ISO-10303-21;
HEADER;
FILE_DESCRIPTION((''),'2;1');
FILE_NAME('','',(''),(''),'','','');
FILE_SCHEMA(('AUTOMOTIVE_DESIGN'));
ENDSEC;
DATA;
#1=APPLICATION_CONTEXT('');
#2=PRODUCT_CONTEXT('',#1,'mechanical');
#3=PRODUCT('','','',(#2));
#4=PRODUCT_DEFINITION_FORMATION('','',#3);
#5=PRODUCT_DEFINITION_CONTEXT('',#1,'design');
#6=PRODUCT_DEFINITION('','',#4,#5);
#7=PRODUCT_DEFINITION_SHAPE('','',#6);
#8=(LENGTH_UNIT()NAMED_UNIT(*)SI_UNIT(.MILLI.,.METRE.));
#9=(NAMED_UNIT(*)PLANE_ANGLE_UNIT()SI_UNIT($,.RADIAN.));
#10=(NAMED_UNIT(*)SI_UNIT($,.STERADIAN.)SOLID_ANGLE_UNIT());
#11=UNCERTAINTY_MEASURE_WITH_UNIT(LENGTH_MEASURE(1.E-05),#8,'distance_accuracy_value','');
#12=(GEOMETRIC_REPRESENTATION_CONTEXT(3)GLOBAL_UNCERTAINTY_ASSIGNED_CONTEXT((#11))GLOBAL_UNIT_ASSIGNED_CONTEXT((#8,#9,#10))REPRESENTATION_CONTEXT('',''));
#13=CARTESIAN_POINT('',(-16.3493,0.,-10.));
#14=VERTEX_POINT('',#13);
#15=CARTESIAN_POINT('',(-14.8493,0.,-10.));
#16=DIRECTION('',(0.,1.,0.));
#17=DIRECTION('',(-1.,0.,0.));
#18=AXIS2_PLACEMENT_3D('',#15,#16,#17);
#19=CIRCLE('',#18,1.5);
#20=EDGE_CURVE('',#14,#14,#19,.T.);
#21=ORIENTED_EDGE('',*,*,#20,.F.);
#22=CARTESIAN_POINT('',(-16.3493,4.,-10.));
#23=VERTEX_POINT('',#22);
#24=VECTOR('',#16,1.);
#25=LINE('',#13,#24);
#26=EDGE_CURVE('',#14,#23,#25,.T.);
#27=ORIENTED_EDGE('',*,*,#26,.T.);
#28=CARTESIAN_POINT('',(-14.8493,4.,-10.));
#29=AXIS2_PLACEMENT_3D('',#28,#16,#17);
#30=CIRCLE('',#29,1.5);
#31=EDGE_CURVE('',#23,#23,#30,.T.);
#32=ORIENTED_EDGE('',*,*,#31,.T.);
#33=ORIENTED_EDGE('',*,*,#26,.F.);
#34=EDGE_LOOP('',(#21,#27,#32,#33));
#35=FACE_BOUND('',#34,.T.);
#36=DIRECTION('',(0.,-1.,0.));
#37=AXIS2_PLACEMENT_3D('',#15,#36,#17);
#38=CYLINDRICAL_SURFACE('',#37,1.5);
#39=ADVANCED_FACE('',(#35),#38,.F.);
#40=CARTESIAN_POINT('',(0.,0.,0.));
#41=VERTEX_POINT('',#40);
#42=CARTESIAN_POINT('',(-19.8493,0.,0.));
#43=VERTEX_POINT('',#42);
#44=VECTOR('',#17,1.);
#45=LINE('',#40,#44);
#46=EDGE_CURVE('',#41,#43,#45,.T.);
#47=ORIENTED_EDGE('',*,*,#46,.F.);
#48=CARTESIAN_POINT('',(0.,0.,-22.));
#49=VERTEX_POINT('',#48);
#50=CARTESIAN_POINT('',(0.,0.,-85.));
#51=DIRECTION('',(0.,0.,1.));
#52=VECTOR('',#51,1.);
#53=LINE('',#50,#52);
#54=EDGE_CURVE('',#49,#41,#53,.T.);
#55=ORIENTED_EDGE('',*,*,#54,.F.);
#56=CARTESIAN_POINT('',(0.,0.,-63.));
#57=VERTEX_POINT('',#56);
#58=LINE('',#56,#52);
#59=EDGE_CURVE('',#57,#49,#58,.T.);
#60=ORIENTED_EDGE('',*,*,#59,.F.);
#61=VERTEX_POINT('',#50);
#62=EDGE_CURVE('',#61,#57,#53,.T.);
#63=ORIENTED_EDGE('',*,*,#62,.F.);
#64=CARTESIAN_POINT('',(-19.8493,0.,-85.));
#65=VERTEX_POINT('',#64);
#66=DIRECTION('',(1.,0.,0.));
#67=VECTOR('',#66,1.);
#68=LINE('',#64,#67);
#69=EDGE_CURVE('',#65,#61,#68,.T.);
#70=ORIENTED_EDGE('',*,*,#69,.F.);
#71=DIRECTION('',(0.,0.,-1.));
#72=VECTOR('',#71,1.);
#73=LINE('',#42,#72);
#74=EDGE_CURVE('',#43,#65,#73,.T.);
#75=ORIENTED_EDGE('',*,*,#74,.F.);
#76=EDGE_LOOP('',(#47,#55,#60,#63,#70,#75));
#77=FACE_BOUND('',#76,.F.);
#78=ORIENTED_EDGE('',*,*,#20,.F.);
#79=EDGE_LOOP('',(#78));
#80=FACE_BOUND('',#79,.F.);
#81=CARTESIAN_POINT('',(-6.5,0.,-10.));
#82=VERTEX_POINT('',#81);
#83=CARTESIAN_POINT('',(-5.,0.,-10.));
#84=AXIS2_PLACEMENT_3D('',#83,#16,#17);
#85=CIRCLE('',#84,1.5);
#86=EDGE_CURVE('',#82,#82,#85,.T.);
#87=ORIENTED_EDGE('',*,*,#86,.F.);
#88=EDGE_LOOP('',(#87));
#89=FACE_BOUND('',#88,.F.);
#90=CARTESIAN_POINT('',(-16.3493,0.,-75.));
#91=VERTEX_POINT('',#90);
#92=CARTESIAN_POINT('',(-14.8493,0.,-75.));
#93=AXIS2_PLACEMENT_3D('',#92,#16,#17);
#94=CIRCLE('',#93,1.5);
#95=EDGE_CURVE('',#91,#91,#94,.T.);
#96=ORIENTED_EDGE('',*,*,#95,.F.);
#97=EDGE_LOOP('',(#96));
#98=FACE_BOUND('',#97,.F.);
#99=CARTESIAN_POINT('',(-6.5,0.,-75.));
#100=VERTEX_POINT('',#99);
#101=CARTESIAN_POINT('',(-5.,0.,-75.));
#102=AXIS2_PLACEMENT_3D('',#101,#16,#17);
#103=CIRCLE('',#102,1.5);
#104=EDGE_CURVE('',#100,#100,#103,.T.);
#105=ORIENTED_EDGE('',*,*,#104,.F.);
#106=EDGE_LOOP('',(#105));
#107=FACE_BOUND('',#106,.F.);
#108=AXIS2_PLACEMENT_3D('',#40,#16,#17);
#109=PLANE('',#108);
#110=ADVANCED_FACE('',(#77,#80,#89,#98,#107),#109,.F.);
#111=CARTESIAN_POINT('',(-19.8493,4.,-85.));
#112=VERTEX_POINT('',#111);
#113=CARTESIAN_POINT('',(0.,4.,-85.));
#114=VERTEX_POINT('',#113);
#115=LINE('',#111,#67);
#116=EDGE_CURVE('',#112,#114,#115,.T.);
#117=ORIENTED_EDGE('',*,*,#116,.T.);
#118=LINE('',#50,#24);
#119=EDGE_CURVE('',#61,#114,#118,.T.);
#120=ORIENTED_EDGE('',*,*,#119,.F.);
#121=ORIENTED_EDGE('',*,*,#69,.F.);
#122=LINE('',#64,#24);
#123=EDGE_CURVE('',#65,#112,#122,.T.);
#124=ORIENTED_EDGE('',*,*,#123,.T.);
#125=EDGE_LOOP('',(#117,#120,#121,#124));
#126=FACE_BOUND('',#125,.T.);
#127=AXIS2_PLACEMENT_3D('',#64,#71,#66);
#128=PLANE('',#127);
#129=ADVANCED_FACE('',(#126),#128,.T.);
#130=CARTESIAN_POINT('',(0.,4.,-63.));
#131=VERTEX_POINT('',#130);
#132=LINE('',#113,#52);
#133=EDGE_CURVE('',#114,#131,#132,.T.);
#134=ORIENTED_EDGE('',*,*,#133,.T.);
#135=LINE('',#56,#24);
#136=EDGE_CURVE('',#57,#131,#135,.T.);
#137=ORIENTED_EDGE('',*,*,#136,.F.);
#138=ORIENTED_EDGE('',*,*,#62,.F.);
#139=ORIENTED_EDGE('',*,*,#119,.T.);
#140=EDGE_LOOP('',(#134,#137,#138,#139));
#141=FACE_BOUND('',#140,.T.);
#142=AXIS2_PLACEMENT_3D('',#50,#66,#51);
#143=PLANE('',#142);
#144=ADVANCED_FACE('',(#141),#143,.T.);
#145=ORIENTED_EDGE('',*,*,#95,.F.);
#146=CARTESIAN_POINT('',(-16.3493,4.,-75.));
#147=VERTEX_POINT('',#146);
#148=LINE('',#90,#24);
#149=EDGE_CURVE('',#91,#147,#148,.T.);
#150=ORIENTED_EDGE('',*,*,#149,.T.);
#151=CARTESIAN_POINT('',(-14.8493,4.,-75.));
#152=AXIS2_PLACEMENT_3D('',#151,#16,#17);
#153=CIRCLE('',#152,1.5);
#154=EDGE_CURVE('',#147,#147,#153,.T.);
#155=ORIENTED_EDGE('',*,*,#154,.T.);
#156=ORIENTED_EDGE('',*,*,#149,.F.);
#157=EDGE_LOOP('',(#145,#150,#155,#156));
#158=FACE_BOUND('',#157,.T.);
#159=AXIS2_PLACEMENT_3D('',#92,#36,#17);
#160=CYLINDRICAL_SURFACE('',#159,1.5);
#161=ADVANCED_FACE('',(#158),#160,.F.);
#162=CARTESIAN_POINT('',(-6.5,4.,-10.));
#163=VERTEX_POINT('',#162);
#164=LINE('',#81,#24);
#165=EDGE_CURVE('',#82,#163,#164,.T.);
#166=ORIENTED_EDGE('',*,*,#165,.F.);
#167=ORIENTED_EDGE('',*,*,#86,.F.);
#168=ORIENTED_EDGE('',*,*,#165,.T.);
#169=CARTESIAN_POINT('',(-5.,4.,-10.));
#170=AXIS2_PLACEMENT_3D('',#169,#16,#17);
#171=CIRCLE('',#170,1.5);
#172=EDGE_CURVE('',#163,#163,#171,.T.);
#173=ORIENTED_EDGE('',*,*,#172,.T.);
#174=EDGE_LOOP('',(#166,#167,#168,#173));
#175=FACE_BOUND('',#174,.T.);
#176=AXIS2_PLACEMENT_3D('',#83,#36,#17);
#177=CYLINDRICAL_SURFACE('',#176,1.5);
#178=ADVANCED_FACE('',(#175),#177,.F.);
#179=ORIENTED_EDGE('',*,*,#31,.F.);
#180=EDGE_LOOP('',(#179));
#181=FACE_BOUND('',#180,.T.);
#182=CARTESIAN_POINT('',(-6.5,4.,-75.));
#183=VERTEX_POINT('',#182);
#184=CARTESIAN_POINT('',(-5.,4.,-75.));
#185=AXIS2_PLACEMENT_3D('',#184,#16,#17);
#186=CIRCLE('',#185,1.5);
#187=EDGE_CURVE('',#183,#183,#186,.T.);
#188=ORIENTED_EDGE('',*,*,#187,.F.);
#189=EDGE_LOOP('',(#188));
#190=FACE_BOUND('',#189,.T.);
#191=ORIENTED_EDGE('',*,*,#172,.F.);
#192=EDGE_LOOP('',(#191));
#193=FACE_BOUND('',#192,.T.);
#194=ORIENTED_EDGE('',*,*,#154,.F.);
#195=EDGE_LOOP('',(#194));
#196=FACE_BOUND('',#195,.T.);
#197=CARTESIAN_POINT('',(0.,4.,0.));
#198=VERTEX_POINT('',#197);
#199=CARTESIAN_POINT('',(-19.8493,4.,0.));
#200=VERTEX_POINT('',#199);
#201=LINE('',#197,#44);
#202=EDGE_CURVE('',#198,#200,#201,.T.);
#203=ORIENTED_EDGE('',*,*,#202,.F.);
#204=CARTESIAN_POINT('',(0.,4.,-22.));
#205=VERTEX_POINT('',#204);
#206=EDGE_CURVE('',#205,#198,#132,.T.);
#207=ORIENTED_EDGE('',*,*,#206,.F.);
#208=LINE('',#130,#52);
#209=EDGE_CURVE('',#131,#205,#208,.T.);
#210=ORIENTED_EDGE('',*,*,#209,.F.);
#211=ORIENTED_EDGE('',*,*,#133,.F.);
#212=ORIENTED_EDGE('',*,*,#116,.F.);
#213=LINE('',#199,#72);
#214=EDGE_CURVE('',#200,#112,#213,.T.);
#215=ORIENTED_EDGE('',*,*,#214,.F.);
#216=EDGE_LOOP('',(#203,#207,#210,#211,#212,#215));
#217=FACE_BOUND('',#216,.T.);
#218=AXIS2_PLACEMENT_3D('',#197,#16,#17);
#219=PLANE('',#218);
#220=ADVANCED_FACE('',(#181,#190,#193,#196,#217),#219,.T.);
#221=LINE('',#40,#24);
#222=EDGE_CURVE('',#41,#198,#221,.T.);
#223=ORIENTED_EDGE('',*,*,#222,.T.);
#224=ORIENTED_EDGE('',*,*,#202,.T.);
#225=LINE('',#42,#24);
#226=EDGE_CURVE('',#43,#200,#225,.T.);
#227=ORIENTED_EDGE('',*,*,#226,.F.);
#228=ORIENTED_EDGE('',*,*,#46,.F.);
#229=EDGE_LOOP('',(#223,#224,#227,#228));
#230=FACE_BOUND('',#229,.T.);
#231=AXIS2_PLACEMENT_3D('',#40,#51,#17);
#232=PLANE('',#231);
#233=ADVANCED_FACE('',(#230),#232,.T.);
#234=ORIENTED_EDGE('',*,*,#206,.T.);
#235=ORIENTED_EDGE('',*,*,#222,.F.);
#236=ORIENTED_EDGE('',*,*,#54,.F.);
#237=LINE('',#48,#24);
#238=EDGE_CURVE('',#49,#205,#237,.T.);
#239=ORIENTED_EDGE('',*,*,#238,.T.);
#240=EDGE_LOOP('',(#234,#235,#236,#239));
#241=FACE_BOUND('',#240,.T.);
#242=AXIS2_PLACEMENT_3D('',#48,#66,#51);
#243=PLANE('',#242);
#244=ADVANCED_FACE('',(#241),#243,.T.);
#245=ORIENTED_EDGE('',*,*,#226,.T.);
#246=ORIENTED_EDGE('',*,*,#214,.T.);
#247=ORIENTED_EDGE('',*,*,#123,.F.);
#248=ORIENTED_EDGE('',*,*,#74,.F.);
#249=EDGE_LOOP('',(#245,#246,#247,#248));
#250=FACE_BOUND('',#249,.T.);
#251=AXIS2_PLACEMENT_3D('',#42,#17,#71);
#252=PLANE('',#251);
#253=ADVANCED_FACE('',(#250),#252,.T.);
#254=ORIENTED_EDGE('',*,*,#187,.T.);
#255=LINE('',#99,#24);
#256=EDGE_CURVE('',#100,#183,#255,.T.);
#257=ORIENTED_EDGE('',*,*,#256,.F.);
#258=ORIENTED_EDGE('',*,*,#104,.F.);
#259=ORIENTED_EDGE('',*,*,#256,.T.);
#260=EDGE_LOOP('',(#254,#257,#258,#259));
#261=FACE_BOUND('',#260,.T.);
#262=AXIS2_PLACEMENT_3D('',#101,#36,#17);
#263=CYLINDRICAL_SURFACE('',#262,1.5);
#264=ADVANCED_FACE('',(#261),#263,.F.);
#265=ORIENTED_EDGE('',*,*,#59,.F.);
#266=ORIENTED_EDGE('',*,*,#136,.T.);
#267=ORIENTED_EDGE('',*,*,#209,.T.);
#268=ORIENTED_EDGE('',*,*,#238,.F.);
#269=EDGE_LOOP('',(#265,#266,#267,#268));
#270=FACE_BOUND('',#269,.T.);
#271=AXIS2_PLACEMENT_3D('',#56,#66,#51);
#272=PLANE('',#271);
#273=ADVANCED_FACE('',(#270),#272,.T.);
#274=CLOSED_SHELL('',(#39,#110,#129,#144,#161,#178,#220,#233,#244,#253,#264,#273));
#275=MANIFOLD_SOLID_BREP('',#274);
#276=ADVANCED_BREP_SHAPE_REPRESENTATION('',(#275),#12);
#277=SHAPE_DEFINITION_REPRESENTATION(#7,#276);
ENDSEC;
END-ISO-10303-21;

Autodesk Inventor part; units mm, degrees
ref_plane "YZ Plane" through (0, 0, 0) normal (1, 0, 0) x (0, 1, 0)
ref_plane "XZ Plane" through (0, 0, 0) normal (0, 1, 0) x (-1, 0, 0)
ref_plane "XY Plane" through (0, 0, 0) normal (0, 0, 1) x (1, 0, 0)
sketch "Esboço1" plane through (0, 0, 0) normal (0, 1, 0) x (-1, 0, 0)
  line L0 (0, 0) -> (19.8493, 0)
  line L1 (19.8493, 0) -> (19.8493, -85)
  line L2 (19.8493, -85) -> (0, -85)
  line L3 (0, -85) -> (0, 0)
  line L4 (20, -22) -> (20, -63)
  line L5 (0, -63) -> (0, -22)
  circle A0 centre (14.8493, -75) radius 1.5
  circle A1 centre (5, -75) radius 1.5
  circle A2 centre (14.8493, -10) radius 1.5
  circle A3 centre (5, -10) radius 1.5
  dimension "d15" = 3
  dimension "d16" = 3
  dimension "d17" = 3
  dimension "d18" = 3
  dimension "d19" = 10
  dimension "d20" = 5
  dimension "d21" = 5
  dimension "d22" = 10
  dimension "d23" = 5
  dimension "d24" = 5
  dimension "d25" = 10
  dimension "d26" = 10
extrude "Extrusão3" add sketch "Esboço1" along normal blind 4
properties part number "suporte estruzor 2"
